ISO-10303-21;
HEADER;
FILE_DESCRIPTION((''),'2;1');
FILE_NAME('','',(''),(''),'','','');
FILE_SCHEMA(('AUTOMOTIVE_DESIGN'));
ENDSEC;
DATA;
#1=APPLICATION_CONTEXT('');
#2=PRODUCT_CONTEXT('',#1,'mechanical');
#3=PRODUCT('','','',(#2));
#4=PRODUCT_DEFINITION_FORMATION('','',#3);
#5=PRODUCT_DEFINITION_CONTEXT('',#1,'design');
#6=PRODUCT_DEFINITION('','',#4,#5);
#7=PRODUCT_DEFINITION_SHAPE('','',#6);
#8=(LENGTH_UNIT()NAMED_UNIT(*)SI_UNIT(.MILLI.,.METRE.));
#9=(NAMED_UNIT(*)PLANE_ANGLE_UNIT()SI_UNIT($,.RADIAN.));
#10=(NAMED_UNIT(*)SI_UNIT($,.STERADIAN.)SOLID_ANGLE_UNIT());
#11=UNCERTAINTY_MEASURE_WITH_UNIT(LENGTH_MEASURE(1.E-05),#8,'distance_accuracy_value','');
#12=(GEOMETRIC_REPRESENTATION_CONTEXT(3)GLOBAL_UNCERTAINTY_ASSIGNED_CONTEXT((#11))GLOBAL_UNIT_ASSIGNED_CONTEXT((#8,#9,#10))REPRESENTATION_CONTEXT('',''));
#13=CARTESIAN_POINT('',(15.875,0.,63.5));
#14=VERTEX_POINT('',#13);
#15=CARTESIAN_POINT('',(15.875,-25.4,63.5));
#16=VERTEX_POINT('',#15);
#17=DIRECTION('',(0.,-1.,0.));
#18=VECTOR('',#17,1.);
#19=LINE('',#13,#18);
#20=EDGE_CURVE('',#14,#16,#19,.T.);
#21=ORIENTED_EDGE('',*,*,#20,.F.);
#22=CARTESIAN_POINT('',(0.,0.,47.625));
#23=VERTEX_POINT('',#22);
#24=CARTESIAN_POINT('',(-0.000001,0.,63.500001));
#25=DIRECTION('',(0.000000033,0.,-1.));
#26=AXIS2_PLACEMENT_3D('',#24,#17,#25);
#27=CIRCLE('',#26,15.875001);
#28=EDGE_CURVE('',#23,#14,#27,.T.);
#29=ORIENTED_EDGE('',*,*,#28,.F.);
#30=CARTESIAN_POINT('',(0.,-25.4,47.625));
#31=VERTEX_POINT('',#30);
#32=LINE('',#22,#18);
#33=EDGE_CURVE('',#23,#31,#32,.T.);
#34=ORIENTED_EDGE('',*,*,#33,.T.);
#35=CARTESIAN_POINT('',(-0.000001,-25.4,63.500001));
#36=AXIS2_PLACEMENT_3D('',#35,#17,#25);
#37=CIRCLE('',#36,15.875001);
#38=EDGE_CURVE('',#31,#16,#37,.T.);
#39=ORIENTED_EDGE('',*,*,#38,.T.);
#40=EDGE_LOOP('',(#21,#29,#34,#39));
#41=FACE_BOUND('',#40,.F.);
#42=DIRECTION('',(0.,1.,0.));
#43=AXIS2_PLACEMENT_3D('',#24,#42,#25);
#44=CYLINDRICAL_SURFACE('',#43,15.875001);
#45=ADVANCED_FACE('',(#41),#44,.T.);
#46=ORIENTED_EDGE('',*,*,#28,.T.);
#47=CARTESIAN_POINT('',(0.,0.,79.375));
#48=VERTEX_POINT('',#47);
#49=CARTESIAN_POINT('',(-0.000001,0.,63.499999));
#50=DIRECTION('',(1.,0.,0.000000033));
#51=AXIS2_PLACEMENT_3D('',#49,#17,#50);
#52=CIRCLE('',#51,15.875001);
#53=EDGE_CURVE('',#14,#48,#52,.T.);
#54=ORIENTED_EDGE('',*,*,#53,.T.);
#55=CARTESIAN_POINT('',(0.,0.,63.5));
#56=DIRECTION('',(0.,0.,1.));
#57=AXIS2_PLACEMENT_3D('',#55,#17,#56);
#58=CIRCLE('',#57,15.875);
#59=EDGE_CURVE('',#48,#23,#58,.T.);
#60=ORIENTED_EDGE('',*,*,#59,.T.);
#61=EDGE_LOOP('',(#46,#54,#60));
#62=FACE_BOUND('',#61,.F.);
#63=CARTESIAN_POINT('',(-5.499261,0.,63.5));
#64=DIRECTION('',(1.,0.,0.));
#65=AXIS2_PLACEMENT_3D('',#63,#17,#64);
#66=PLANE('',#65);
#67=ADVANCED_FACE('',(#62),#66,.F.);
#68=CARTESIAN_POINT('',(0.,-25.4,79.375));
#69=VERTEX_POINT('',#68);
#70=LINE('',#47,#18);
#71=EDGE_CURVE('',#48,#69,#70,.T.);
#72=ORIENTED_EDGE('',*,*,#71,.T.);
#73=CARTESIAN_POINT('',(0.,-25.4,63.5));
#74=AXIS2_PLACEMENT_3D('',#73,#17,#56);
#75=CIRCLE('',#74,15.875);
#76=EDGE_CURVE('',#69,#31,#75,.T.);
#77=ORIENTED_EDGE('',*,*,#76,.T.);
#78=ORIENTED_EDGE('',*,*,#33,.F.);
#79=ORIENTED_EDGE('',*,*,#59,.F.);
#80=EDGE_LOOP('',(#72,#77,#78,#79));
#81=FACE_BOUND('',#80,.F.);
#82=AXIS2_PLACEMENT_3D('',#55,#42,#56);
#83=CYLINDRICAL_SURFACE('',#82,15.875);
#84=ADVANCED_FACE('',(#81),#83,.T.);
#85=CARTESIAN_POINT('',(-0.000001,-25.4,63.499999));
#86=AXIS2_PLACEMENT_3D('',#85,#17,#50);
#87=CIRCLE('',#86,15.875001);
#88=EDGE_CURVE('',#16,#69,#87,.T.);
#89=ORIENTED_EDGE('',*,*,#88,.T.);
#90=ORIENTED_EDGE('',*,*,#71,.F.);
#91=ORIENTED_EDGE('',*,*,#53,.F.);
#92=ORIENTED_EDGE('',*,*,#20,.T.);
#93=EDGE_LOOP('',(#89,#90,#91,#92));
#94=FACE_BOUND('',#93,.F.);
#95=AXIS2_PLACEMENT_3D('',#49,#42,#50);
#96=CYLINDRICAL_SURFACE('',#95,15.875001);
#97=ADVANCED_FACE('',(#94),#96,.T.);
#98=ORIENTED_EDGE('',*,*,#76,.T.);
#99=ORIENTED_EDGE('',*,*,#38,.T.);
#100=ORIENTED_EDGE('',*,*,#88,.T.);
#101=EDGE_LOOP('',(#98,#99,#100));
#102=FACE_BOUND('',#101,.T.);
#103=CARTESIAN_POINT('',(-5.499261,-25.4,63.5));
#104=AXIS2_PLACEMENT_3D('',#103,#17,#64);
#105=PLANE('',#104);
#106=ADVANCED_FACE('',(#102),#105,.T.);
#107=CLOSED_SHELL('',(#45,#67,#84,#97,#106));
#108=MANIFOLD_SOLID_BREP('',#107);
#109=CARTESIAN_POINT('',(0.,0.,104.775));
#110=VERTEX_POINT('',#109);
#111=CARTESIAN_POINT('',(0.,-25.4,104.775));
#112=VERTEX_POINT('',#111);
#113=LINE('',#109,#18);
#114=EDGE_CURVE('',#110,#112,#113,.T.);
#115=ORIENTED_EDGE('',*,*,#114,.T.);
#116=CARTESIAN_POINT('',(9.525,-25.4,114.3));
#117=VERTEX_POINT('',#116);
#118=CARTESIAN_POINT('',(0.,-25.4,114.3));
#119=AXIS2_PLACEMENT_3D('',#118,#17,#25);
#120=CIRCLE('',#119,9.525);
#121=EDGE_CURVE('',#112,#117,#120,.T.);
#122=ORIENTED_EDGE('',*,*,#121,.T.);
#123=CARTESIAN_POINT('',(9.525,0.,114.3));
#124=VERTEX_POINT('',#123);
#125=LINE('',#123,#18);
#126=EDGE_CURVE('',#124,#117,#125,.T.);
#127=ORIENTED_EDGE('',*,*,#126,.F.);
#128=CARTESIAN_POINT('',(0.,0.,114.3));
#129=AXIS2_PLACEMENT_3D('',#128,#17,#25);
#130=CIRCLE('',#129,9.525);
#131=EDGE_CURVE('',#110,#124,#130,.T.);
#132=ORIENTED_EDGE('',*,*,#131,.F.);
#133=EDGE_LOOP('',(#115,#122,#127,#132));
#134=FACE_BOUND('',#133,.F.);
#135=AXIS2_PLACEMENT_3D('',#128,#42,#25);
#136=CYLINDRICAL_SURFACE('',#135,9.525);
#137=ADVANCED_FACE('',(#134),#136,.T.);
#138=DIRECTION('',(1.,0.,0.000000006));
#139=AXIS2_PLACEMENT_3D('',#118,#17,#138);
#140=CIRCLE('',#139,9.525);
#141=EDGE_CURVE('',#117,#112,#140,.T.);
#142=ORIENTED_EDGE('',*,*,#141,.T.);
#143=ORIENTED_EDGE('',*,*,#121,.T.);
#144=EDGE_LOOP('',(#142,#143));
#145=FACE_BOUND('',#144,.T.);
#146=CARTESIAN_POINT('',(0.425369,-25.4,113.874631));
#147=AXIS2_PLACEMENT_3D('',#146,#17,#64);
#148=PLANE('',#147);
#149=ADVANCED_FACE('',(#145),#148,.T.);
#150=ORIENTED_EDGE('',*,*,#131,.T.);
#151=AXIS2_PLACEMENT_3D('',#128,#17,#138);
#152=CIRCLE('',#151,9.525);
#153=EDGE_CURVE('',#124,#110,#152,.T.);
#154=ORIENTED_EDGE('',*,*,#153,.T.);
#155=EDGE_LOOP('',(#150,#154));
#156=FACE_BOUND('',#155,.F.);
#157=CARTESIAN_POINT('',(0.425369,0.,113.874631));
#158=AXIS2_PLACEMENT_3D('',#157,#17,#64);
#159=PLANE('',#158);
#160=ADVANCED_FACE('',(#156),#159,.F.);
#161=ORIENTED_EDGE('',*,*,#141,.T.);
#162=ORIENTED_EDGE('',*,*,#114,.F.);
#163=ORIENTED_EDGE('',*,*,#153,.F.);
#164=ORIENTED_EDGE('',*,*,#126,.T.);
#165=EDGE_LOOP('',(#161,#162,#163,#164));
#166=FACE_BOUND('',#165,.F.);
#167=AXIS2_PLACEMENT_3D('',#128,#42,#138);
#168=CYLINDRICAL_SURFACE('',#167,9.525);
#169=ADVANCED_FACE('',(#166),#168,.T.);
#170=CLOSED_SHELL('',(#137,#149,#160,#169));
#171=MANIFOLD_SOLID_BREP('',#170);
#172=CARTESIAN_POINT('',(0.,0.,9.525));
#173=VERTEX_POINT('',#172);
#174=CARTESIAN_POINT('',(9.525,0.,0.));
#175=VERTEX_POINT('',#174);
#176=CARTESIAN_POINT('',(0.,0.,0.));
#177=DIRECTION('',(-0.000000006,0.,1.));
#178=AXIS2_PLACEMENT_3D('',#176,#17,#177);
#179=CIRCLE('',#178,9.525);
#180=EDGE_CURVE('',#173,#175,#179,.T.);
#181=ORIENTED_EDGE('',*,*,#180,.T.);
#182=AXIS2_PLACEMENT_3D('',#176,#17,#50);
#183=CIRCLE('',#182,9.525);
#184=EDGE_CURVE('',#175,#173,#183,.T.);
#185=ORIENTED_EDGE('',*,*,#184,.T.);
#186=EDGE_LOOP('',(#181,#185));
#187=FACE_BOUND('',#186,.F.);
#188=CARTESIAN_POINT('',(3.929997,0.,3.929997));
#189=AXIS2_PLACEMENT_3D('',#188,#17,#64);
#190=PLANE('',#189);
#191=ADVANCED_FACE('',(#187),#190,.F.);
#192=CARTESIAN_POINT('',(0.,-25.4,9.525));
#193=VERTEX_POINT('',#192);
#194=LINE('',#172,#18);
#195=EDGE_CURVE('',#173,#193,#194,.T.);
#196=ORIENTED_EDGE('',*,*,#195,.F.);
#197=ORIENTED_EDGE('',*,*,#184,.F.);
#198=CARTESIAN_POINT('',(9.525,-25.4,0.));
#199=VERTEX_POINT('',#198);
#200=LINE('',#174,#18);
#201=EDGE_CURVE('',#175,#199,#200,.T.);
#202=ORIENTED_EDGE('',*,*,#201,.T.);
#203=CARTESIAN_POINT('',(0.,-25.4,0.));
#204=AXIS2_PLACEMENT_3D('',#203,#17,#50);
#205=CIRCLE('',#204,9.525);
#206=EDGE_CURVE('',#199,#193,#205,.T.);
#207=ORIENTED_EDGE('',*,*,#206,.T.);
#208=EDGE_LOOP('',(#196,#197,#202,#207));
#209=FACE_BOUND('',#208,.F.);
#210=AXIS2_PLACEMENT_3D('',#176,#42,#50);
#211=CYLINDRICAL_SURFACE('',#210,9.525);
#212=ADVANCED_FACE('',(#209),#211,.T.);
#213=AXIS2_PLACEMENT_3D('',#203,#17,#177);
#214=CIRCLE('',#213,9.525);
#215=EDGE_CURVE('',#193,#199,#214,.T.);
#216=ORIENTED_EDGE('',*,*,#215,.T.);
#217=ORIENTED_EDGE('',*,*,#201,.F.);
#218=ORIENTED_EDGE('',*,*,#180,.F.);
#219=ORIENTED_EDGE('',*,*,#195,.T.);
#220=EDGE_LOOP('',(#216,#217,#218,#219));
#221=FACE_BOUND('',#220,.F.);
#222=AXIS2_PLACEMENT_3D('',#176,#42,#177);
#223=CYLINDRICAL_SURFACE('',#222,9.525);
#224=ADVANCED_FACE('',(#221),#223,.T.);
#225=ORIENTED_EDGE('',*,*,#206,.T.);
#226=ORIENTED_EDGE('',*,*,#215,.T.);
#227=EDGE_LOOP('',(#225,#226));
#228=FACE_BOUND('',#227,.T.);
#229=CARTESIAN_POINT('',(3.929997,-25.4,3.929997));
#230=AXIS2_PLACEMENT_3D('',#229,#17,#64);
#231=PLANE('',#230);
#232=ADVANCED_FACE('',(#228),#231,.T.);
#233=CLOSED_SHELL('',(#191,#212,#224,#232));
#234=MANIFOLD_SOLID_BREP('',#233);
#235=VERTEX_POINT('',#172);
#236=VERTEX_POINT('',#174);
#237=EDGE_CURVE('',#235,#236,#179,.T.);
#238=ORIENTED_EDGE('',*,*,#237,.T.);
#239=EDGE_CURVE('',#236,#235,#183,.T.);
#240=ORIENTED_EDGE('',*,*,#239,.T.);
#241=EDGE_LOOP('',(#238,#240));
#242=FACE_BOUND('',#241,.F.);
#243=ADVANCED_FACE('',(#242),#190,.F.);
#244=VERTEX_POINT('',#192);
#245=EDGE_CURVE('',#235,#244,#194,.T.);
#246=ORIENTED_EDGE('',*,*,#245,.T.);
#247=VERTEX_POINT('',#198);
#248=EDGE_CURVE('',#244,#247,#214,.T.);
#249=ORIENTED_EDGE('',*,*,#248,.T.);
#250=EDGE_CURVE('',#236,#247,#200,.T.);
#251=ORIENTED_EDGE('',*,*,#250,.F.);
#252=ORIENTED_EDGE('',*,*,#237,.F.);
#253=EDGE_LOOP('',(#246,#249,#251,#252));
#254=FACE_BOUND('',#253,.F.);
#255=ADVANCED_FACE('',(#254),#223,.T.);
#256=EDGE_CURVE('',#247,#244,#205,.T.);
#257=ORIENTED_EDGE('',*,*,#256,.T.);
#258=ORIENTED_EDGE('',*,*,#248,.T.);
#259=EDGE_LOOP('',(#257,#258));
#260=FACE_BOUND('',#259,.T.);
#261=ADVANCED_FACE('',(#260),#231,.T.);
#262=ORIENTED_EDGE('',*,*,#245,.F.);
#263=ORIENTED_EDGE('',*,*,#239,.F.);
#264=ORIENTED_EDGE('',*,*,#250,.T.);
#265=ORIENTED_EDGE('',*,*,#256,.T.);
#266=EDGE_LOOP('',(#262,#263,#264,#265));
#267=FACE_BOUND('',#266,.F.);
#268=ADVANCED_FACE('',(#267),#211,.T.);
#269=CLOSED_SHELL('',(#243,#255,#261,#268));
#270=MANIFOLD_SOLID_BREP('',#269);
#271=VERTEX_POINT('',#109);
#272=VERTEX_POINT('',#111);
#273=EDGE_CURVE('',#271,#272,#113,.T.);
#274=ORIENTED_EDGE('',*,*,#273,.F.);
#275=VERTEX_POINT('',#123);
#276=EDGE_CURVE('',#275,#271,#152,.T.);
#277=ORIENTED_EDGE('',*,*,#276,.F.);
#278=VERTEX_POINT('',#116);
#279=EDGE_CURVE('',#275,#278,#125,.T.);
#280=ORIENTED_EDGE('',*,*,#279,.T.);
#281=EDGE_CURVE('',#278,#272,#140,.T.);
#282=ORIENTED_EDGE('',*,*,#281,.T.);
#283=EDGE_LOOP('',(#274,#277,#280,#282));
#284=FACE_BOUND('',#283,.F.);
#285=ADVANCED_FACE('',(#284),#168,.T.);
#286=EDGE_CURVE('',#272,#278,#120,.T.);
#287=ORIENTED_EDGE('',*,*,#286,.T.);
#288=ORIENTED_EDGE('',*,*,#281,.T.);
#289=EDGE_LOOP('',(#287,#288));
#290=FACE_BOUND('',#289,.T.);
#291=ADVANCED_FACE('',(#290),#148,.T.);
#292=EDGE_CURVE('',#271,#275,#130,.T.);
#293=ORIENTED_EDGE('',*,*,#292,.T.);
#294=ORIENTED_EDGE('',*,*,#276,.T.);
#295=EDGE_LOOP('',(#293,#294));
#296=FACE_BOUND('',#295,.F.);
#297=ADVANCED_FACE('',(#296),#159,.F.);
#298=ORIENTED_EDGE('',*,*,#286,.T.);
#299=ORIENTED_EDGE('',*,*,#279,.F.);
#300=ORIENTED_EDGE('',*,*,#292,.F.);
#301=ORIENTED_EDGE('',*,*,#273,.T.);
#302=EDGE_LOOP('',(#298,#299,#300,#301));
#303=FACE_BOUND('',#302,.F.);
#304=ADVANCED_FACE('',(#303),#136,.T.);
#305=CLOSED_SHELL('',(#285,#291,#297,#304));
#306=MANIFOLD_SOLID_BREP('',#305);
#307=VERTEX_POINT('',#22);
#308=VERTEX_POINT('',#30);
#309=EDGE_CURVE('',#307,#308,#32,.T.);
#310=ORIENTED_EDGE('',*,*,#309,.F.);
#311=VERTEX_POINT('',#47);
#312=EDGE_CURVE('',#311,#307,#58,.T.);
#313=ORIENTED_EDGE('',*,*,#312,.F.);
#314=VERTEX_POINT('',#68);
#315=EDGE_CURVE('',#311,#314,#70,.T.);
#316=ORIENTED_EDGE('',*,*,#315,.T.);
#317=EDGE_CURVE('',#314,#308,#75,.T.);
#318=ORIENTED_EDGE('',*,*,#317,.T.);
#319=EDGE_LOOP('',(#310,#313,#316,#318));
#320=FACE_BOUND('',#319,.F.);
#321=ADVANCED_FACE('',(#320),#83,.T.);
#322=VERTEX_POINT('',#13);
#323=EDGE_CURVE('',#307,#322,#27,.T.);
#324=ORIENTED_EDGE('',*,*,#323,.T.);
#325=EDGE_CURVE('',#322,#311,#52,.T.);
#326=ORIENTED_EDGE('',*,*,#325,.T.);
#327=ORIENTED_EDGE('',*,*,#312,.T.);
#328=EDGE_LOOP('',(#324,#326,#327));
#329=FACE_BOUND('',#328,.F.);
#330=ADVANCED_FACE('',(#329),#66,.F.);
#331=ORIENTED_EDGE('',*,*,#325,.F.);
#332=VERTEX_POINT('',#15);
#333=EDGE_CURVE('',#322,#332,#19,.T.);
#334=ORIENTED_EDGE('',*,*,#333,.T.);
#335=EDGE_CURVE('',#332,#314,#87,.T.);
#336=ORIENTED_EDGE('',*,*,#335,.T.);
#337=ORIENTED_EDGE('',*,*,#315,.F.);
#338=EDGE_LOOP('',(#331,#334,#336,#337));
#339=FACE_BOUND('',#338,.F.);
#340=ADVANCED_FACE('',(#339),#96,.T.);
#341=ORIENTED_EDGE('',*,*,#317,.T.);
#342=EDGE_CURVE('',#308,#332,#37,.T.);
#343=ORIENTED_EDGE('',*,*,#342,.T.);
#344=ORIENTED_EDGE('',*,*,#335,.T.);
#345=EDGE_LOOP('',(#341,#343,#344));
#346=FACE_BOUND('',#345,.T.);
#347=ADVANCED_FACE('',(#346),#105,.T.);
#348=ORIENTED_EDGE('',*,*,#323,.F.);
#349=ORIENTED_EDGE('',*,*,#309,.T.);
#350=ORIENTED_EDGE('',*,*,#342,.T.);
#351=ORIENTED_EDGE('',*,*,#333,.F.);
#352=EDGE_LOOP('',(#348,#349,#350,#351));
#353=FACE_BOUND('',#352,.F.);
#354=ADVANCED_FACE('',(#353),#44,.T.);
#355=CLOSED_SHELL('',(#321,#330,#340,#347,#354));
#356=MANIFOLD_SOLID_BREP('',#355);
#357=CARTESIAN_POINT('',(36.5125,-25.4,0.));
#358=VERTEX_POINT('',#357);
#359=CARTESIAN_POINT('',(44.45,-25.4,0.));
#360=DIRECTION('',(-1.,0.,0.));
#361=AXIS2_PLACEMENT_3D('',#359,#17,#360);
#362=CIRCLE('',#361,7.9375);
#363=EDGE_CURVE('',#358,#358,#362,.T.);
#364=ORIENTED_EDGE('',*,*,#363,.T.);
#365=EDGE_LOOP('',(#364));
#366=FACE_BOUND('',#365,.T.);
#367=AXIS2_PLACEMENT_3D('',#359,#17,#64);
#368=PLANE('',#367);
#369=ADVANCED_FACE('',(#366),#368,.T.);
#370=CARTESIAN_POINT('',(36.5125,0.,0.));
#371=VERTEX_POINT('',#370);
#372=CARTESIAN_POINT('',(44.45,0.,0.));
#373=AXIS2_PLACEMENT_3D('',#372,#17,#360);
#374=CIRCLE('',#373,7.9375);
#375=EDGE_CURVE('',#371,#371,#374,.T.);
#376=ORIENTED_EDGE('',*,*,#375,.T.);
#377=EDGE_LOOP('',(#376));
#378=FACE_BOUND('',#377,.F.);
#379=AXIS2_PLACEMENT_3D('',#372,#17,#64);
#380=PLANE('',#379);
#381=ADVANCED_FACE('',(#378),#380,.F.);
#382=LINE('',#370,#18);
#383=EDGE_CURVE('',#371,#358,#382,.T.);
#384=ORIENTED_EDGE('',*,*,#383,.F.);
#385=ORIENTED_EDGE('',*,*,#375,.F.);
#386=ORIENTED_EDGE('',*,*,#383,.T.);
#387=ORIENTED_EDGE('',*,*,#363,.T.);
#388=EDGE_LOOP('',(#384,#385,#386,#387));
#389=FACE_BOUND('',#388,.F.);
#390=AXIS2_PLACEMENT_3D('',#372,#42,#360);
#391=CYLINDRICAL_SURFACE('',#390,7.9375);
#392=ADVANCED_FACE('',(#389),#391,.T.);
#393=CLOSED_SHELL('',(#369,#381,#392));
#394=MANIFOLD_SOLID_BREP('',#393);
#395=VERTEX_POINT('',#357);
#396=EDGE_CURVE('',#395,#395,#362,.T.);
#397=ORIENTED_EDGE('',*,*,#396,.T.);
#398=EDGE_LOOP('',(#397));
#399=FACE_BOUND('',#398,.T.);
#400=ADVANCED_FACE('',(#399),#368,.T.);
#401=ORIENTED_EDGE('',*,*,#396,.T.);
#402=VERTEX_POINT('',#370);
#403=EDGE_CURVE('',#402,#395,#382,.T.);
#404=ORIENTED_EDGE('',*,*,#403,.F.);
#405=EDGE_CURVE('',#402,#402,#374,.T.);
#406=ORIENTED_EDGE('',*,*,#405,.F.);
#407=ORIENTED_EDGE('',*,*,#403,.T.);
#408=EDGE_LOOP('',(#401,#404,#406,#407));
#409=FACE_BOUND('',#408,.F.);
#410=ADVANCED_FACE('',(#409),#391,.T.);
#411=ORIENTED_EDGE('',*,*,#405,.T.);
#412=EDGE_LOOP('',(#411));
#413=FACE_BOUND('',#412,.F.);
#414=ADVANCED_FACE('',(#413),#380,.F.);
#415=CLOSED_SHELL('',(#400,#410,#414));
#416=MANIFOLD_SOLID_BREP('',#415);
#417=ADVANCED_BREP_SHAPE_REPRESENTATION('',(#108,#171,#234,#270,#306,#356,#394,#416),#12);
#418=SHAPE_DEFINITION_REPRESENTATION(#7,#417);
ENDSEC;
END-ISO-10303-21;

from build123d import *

# Parameters (mm, degrees)
F1_DEPTH = 25.4
F2_DEPTH = 25.4


with BuildPart() as f1:
    # F0 (on Front) → F1 (new body)
    with BuildSketch(Plane.XZ):
        with BuildLine():
            ThreePointArc((9.525, 114.3), (-6.735192, 121.035192), (0, 104.775))
            ThreePointArc((0, 104.775), (6.735192, 107.564808), (9.525, 114.3))
        make_face()
        with BuildLine():
            ThreePointArc((0, 79.375), (-15.875, 63.5), (0, 47.625))
            Line((0, 47.625), (0, 63.5))
            Line((0, 63.5), (0, 79.375))
        make_face()
        with BuildLine():
            Line((0, 63.5), (0, 47.625))
            ThreePointArc((0, 47.625), (11.22532, 52.27468), (15.875, 63.5))
            ThreePointArc((15.875, 63.5), (11.22532, 74.72532), (0, 79.375))
            Line((0, 79.375), (0, 63.5))
        make_face()
        with BuildLine():
            ThreePointArc((52.3875, 0), (44.45, 7.9375), (36.5125, 0))
            ThreePointArc((36.5125, 0), (44.45, -7.9375), (52.3875, 0))
        make_face()
        with BuildLine():
            ThreePointArc((9.525, 0), (6.735192, 6.735192), (0, 9.525))
            Line((0, 9.525), (0, 0))
            Line((0, 0), (9.525, 0))
        make_face()
        with BuildLine():
            Line((0, 0), (0, 9.525))
            ThreePointArc((0, 9.525), (-6.735192, -6.735192), (9.525, 0))
            Line((9.525, 0), (0, 0))
        make_face()
    extrude(amount=F1_DEPTH)


with BuildPart() as f2:
    # F0 (on Front) → F2 (new body)
    with BuildSketch(Plane.XZ):
        with BuildLine():
            ThreePointArc((9.525, 114.3), (-6.735192, 121.035192), (0, 104.775))
            ThreePointArc((0, 104.775), (6.735192, 107.564808), (9.525, 114.3))
        make_face()
        with BuildLine():
            ThreePointArc((0, 79.375), (-15.875, 63.5), (0, 47.625))
            Line((0, 47.625), (0, 63.5))
            Line((0, 63.5), (0, 79.375))
        make_face()
        with BuildLine():
            Line((0, 63.5), (0, 47.625))
            ThreePointArc((0, 47.625), (11.22532, 52.27468), (15.875, 63.5))
            ThreePointArc((15.875, 63.5), (11.22532, 74.72532), (0, 79.375))
            Line((0, 79.375), (0, 63.5))
        make_face()
        with BuildLine():
            ThreePointArc((52.3875, 0), (44.45, 7.9375), (36.5125, 0))
            ThreePointArc((36.5125, 0), (44.45, -7.9375), (52.3875, 0))
        make_face()
        with BuildLine():
            ThreePointArc((9.525, 0), (6.735192, 6.735192), (0, 9.525))
            Line((0, 9.525), (0, 0))
            Line((0, 0), (9.525, 0))
        make_face()
        with BuildLine():
            Line((0, 0), (0, 9.525))
            ThreePointArc((0, 9.525), (-6.735192, -6.735192), (9.525, 0))
            Line((9.525, 0), (0, 0))
        make_face()
    extrude(amount=F2_DEPTH)


solid = Compound([f1.part, f2.part])
